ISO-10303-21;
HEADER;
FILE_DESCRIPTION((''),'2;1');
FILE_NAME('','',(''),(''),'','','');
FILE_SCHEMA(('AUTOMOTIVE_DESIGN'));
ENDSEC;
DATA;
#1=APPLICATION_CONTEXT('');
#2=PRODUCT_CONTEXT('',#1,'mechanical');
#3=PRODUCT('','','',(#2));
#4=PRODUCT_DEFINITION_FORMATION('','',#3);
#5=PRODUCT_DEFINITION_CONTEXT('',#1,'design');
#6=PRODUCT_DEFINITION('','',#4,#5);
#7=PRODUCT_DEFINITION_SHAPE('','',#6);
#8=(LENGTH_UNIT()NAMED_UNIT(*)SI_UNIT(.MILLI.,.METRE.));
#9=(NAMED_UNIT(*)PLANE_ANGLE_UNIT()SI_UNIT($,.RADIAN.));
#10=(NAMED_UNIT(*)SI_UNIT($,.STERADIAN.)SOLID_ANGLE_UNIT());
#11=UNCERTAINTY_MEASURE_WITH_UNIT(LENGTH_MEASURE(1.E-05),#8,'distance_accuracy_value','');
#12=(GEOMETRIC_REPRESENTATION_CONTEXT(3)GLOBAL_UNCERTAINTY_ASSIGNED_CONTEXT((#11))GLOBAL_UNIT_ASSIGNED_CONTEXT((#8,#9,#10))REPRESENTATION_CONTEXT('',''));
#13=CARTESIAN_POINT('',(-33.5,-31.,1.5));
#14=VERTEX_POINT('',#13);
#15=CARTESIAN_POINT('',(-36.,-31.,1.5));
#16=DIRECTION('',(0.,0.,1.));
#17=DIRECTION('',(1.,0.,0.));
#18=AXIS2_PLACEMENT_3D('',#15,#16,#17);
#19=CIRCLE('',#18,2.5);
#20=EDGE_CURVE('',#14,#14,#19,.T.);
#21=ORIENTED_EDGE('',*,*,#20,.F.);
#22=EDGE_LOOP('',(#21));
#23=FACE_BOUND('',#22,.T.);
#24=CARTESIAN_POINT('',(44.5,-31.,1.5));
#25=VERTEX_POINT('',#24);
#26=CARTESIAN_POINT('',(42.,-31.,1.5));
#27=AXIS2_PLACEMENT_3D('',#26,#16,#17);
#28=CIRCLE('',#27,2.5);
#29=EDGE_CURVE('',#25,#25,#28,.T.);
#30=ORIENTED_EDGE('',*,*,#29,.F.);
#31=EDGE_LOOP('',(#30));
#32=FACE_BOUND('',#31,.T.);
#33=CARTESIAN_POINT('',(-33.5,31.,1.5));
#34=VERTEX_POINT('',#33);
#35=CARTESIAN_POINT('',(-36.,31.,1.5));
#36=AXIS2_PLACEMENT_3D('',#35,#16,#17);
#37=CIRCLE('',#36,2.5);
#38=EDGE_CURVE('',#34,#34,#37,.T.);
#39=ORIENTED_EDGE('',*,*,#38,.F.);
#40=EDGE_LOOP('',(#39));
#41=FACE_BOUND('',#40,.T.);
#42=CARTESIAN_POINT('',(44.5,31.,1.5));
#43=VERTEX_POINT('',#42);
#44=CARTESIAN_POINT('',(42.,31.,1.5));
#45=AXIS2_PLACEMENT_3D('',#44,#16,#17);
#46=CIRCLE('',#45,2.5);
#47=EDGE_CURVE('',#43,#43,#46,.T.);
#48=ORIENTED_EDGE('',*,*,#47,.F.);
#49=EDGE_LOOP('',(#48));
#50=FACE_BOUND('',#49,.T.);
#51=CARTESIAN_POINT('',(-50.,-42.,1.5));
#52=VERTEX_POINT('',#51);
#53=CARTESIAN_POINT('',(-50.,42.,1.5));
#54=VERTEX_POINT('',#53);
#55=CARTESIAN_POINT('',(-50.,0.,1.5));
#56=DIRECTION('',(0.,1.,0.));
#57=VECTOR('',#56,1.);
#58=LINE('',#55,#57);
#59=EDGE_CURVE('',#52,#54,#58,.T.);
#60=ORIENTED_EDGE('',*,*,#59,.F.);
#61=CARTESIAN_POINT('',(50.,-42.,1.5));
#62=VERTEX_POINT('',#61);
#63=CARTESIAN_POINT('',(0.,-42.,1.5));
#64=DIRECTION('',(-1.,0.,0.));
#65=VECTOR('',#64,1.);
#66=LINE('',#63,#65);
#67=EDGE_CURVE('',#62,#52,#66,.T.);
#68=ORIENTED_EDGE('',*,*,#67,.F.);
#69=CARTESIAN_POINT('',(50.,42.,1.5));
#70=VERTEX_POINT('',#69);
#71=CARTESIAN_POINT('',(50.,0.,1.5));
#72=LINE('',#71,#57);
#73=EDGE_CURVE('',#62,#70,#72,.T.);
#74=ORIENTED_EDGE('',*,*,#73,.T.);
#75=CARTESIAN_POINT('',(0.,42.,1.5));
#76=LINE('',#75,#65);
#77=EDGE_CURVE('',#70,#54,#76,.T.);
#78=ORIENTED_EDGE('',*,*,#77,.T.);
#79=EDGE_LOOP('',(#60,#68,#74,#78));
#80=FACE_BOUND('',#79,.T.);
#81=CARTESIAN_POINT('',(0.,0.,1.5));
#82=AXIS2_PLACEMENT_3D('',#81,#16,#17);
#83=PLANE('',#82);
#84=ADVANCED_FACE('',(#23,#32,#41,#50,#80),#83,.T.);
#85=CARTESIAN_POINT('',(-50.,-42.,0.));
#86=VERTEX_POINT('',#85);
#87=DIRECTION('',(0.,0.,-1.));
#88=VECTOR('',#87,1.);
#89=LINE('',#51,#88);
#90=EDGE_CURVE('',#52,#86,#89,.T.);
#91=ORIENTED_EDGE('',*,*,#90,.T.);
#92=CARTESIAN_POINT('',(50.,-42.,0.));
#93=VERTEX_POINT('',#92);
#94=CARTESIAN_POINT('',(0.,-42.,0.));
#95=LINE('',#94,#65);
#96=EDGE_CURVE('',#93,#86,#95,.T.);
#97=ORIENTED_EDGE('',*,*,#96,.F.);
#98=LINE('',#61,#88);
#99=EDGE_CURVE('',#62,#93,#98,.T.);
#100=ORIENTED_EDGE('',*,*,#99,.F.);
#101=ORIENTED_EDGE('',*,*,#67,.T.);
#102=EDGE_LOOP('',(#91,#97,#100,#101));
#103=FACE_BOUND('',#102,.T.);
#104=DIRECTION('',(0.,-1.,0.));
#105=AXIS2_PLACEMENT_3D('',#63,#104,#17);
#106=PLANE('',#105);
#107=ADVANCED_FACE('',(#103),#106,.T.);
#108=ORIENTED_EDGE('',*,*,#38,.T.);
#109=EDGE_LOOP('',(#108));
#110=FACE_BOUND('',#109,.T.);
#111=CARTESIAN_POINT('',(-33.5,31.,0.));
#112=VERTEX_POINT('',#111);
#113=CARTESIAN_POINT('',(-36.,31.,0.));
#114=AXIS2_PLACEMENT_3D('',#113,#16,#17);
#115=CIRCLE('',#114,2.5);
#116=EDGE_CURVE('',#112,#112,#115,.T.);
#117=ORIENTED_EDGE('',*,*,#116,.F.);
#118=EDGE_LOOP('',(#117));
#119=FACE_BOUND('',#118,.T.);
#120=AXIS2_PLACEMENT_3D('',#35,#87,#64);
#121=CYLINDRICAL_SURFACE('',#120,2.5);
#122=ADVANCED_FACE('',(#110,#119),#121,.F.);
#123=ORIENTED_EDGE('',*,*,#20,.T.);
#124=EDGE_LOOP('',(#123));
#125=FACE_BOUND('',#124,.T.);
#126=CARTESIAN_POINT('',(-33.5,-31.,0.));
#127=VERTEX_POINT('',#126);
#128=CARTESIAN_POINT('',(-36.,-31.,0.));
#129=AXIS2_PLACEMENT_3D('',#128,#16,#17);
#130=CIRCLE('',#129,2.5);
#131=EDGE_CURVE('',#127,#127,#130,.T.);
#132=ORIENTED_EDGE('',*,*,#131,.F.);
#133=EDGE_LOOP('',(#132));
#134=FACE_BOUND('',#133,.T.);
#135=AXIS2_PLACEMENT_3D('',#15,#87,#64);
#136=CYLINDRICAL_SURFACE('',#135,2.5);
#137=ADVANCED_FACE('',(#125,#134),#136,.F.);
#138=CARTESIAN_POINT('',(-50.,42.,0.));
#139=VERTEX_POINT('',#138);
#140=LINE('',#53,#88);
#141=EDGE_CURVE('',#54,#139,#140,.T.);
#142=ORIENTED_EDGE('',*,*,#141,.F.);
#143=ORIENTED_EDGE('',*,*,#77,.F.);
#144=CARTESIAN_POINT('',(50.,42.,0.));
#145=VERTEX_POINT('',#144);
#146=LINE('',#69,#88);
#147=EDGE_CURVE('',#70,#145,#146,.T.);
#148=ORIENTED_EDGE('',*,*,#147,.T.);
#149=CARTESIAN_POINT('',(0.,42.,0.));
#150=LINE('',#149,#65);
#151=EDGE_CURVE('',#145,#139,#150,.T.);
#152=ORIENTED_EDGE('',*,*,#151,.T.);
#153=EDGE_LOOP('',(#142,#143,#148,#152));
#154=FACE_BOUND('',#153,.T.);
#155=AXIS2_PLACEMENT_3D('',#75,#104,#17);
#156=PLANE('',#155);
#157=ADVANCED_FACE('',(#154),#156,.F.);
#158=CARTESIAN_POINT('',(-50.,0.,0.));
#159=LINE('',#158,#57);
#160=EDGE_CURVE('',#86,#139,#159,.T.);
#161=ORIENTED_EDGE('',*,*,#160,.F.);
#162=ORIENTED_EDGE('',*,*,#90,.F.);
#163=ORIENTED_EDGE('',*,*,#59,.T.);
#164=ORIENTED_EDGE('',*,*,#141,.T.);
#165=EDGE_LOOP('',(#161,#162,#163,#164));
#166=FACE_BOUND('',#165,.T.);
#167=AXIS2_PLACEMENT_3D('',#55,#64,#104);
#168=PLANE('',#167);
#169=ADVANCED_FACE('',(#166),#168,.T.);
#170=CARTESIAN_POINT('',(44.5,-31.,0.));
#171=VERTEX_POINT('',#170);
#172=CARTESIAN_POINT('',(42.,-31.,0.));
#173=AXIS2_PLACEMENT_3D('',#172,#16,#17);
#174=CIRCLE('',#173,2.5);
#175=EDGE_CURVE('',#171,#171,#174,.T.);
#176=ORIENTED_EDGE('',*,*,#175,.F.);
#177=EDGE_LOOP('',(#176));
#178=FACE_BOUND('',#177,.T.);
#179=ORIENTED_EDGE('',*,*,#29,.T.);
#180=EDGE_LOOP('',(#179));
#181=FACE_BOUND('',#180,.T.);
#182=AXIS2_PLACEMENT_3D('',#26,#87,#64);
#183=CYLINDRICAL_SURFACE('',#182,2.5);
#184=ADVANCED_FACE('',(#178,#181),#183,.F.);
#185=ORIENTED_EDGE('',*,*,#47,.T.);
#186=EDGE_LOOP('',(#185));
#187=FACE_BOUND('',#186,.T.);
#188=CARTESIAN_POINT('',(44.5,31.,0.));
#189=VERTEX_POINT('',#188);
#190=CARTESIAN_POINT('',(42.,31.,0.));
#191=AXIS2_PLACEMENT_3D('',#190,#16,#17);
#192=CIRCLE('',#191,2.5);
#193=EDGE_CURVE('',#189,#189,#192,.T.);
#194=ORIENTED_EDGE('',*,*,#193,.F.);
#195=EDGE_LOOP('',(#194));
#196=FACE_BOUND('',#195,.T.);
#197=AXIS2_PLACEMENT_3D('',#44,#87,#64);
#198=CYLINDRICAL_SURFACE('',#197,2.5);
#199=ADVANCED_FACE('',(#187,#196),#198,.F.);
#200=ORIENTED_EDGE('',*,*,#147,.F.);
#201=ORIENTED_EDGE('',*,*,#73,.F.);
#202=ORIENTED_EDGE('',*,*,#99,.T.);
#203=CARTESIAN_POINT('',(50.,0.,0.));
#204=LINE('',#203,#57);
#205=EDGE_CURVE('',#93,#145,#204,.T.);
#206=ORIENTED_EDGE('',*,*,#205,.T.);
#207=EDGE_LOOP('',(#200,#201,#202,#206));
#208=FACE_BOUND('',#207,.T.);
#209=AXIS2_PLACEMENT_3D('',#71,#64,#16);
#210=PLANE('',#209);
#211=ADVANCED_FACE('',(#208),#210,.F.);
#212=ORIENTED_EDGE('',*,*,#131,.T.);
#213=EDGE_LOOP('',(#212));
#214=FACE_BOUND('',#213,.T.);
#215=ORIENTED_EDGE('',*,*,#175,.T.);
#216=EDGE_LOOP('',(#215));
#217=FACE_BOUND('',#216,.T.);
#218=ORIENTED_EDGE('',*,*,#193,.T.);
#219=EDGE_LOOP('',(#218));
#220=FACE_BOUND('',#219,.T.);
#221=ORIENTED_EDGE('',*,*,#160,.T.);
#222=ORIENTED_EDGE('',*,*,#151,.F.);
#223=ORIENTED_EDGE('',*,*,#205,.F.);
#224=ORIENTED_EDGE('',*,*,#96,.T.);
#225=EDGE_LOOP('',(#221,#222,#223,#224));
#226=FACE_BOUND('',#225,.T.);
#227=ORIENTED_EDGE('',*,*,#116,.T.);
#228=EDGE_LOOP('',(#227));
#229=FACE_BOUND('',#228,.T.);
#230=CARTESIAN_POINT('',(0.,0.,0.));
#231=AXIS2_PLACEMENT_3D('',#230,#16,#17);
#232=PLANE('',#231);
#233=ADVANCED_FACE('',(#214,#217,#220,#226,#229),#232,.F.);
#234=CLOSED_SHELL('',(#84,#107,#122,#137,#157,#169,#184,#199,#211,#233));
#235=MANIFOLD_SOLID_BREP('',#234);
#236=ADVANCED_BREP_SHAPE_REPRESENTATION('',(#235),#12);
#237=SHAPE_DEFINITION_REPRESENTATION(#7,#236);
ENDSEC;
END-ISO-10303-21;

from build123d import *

# Parameters (mm, degrees)
SKETCH1_W           = 100
SKETCH1_H           = 84
SKETCH1_R           = 2.5
BOSS_EXTRUDE1_DEPTH = 1.5


with BuildPart() as part:
    # Sketch1 → Boss-Extrude1 (new body)
    with BuildSketch(Plane.XY):
        Rectangle(SKETCH1_W, SKETCH1_H)
        with Locations((-36, 31)):
            Circle(SKETCH1_R, mode=Mode.SUBTRACT)
        with Locations((42, 31)):
            Circle(SKETCH1_R, mode=Mode.SUBTRACT)
        with Locations((42, -31)):
            Circle(SKETCH1_R, mode=Mode.SUBTRACT)
        with Locations((-36, -31)):
            Circle(SKETCH1_R, mode=Mode.SUBTRACT)
    extrude(amount=BOSS_EXTRUDE1_DEPTH)


solid = part.part
